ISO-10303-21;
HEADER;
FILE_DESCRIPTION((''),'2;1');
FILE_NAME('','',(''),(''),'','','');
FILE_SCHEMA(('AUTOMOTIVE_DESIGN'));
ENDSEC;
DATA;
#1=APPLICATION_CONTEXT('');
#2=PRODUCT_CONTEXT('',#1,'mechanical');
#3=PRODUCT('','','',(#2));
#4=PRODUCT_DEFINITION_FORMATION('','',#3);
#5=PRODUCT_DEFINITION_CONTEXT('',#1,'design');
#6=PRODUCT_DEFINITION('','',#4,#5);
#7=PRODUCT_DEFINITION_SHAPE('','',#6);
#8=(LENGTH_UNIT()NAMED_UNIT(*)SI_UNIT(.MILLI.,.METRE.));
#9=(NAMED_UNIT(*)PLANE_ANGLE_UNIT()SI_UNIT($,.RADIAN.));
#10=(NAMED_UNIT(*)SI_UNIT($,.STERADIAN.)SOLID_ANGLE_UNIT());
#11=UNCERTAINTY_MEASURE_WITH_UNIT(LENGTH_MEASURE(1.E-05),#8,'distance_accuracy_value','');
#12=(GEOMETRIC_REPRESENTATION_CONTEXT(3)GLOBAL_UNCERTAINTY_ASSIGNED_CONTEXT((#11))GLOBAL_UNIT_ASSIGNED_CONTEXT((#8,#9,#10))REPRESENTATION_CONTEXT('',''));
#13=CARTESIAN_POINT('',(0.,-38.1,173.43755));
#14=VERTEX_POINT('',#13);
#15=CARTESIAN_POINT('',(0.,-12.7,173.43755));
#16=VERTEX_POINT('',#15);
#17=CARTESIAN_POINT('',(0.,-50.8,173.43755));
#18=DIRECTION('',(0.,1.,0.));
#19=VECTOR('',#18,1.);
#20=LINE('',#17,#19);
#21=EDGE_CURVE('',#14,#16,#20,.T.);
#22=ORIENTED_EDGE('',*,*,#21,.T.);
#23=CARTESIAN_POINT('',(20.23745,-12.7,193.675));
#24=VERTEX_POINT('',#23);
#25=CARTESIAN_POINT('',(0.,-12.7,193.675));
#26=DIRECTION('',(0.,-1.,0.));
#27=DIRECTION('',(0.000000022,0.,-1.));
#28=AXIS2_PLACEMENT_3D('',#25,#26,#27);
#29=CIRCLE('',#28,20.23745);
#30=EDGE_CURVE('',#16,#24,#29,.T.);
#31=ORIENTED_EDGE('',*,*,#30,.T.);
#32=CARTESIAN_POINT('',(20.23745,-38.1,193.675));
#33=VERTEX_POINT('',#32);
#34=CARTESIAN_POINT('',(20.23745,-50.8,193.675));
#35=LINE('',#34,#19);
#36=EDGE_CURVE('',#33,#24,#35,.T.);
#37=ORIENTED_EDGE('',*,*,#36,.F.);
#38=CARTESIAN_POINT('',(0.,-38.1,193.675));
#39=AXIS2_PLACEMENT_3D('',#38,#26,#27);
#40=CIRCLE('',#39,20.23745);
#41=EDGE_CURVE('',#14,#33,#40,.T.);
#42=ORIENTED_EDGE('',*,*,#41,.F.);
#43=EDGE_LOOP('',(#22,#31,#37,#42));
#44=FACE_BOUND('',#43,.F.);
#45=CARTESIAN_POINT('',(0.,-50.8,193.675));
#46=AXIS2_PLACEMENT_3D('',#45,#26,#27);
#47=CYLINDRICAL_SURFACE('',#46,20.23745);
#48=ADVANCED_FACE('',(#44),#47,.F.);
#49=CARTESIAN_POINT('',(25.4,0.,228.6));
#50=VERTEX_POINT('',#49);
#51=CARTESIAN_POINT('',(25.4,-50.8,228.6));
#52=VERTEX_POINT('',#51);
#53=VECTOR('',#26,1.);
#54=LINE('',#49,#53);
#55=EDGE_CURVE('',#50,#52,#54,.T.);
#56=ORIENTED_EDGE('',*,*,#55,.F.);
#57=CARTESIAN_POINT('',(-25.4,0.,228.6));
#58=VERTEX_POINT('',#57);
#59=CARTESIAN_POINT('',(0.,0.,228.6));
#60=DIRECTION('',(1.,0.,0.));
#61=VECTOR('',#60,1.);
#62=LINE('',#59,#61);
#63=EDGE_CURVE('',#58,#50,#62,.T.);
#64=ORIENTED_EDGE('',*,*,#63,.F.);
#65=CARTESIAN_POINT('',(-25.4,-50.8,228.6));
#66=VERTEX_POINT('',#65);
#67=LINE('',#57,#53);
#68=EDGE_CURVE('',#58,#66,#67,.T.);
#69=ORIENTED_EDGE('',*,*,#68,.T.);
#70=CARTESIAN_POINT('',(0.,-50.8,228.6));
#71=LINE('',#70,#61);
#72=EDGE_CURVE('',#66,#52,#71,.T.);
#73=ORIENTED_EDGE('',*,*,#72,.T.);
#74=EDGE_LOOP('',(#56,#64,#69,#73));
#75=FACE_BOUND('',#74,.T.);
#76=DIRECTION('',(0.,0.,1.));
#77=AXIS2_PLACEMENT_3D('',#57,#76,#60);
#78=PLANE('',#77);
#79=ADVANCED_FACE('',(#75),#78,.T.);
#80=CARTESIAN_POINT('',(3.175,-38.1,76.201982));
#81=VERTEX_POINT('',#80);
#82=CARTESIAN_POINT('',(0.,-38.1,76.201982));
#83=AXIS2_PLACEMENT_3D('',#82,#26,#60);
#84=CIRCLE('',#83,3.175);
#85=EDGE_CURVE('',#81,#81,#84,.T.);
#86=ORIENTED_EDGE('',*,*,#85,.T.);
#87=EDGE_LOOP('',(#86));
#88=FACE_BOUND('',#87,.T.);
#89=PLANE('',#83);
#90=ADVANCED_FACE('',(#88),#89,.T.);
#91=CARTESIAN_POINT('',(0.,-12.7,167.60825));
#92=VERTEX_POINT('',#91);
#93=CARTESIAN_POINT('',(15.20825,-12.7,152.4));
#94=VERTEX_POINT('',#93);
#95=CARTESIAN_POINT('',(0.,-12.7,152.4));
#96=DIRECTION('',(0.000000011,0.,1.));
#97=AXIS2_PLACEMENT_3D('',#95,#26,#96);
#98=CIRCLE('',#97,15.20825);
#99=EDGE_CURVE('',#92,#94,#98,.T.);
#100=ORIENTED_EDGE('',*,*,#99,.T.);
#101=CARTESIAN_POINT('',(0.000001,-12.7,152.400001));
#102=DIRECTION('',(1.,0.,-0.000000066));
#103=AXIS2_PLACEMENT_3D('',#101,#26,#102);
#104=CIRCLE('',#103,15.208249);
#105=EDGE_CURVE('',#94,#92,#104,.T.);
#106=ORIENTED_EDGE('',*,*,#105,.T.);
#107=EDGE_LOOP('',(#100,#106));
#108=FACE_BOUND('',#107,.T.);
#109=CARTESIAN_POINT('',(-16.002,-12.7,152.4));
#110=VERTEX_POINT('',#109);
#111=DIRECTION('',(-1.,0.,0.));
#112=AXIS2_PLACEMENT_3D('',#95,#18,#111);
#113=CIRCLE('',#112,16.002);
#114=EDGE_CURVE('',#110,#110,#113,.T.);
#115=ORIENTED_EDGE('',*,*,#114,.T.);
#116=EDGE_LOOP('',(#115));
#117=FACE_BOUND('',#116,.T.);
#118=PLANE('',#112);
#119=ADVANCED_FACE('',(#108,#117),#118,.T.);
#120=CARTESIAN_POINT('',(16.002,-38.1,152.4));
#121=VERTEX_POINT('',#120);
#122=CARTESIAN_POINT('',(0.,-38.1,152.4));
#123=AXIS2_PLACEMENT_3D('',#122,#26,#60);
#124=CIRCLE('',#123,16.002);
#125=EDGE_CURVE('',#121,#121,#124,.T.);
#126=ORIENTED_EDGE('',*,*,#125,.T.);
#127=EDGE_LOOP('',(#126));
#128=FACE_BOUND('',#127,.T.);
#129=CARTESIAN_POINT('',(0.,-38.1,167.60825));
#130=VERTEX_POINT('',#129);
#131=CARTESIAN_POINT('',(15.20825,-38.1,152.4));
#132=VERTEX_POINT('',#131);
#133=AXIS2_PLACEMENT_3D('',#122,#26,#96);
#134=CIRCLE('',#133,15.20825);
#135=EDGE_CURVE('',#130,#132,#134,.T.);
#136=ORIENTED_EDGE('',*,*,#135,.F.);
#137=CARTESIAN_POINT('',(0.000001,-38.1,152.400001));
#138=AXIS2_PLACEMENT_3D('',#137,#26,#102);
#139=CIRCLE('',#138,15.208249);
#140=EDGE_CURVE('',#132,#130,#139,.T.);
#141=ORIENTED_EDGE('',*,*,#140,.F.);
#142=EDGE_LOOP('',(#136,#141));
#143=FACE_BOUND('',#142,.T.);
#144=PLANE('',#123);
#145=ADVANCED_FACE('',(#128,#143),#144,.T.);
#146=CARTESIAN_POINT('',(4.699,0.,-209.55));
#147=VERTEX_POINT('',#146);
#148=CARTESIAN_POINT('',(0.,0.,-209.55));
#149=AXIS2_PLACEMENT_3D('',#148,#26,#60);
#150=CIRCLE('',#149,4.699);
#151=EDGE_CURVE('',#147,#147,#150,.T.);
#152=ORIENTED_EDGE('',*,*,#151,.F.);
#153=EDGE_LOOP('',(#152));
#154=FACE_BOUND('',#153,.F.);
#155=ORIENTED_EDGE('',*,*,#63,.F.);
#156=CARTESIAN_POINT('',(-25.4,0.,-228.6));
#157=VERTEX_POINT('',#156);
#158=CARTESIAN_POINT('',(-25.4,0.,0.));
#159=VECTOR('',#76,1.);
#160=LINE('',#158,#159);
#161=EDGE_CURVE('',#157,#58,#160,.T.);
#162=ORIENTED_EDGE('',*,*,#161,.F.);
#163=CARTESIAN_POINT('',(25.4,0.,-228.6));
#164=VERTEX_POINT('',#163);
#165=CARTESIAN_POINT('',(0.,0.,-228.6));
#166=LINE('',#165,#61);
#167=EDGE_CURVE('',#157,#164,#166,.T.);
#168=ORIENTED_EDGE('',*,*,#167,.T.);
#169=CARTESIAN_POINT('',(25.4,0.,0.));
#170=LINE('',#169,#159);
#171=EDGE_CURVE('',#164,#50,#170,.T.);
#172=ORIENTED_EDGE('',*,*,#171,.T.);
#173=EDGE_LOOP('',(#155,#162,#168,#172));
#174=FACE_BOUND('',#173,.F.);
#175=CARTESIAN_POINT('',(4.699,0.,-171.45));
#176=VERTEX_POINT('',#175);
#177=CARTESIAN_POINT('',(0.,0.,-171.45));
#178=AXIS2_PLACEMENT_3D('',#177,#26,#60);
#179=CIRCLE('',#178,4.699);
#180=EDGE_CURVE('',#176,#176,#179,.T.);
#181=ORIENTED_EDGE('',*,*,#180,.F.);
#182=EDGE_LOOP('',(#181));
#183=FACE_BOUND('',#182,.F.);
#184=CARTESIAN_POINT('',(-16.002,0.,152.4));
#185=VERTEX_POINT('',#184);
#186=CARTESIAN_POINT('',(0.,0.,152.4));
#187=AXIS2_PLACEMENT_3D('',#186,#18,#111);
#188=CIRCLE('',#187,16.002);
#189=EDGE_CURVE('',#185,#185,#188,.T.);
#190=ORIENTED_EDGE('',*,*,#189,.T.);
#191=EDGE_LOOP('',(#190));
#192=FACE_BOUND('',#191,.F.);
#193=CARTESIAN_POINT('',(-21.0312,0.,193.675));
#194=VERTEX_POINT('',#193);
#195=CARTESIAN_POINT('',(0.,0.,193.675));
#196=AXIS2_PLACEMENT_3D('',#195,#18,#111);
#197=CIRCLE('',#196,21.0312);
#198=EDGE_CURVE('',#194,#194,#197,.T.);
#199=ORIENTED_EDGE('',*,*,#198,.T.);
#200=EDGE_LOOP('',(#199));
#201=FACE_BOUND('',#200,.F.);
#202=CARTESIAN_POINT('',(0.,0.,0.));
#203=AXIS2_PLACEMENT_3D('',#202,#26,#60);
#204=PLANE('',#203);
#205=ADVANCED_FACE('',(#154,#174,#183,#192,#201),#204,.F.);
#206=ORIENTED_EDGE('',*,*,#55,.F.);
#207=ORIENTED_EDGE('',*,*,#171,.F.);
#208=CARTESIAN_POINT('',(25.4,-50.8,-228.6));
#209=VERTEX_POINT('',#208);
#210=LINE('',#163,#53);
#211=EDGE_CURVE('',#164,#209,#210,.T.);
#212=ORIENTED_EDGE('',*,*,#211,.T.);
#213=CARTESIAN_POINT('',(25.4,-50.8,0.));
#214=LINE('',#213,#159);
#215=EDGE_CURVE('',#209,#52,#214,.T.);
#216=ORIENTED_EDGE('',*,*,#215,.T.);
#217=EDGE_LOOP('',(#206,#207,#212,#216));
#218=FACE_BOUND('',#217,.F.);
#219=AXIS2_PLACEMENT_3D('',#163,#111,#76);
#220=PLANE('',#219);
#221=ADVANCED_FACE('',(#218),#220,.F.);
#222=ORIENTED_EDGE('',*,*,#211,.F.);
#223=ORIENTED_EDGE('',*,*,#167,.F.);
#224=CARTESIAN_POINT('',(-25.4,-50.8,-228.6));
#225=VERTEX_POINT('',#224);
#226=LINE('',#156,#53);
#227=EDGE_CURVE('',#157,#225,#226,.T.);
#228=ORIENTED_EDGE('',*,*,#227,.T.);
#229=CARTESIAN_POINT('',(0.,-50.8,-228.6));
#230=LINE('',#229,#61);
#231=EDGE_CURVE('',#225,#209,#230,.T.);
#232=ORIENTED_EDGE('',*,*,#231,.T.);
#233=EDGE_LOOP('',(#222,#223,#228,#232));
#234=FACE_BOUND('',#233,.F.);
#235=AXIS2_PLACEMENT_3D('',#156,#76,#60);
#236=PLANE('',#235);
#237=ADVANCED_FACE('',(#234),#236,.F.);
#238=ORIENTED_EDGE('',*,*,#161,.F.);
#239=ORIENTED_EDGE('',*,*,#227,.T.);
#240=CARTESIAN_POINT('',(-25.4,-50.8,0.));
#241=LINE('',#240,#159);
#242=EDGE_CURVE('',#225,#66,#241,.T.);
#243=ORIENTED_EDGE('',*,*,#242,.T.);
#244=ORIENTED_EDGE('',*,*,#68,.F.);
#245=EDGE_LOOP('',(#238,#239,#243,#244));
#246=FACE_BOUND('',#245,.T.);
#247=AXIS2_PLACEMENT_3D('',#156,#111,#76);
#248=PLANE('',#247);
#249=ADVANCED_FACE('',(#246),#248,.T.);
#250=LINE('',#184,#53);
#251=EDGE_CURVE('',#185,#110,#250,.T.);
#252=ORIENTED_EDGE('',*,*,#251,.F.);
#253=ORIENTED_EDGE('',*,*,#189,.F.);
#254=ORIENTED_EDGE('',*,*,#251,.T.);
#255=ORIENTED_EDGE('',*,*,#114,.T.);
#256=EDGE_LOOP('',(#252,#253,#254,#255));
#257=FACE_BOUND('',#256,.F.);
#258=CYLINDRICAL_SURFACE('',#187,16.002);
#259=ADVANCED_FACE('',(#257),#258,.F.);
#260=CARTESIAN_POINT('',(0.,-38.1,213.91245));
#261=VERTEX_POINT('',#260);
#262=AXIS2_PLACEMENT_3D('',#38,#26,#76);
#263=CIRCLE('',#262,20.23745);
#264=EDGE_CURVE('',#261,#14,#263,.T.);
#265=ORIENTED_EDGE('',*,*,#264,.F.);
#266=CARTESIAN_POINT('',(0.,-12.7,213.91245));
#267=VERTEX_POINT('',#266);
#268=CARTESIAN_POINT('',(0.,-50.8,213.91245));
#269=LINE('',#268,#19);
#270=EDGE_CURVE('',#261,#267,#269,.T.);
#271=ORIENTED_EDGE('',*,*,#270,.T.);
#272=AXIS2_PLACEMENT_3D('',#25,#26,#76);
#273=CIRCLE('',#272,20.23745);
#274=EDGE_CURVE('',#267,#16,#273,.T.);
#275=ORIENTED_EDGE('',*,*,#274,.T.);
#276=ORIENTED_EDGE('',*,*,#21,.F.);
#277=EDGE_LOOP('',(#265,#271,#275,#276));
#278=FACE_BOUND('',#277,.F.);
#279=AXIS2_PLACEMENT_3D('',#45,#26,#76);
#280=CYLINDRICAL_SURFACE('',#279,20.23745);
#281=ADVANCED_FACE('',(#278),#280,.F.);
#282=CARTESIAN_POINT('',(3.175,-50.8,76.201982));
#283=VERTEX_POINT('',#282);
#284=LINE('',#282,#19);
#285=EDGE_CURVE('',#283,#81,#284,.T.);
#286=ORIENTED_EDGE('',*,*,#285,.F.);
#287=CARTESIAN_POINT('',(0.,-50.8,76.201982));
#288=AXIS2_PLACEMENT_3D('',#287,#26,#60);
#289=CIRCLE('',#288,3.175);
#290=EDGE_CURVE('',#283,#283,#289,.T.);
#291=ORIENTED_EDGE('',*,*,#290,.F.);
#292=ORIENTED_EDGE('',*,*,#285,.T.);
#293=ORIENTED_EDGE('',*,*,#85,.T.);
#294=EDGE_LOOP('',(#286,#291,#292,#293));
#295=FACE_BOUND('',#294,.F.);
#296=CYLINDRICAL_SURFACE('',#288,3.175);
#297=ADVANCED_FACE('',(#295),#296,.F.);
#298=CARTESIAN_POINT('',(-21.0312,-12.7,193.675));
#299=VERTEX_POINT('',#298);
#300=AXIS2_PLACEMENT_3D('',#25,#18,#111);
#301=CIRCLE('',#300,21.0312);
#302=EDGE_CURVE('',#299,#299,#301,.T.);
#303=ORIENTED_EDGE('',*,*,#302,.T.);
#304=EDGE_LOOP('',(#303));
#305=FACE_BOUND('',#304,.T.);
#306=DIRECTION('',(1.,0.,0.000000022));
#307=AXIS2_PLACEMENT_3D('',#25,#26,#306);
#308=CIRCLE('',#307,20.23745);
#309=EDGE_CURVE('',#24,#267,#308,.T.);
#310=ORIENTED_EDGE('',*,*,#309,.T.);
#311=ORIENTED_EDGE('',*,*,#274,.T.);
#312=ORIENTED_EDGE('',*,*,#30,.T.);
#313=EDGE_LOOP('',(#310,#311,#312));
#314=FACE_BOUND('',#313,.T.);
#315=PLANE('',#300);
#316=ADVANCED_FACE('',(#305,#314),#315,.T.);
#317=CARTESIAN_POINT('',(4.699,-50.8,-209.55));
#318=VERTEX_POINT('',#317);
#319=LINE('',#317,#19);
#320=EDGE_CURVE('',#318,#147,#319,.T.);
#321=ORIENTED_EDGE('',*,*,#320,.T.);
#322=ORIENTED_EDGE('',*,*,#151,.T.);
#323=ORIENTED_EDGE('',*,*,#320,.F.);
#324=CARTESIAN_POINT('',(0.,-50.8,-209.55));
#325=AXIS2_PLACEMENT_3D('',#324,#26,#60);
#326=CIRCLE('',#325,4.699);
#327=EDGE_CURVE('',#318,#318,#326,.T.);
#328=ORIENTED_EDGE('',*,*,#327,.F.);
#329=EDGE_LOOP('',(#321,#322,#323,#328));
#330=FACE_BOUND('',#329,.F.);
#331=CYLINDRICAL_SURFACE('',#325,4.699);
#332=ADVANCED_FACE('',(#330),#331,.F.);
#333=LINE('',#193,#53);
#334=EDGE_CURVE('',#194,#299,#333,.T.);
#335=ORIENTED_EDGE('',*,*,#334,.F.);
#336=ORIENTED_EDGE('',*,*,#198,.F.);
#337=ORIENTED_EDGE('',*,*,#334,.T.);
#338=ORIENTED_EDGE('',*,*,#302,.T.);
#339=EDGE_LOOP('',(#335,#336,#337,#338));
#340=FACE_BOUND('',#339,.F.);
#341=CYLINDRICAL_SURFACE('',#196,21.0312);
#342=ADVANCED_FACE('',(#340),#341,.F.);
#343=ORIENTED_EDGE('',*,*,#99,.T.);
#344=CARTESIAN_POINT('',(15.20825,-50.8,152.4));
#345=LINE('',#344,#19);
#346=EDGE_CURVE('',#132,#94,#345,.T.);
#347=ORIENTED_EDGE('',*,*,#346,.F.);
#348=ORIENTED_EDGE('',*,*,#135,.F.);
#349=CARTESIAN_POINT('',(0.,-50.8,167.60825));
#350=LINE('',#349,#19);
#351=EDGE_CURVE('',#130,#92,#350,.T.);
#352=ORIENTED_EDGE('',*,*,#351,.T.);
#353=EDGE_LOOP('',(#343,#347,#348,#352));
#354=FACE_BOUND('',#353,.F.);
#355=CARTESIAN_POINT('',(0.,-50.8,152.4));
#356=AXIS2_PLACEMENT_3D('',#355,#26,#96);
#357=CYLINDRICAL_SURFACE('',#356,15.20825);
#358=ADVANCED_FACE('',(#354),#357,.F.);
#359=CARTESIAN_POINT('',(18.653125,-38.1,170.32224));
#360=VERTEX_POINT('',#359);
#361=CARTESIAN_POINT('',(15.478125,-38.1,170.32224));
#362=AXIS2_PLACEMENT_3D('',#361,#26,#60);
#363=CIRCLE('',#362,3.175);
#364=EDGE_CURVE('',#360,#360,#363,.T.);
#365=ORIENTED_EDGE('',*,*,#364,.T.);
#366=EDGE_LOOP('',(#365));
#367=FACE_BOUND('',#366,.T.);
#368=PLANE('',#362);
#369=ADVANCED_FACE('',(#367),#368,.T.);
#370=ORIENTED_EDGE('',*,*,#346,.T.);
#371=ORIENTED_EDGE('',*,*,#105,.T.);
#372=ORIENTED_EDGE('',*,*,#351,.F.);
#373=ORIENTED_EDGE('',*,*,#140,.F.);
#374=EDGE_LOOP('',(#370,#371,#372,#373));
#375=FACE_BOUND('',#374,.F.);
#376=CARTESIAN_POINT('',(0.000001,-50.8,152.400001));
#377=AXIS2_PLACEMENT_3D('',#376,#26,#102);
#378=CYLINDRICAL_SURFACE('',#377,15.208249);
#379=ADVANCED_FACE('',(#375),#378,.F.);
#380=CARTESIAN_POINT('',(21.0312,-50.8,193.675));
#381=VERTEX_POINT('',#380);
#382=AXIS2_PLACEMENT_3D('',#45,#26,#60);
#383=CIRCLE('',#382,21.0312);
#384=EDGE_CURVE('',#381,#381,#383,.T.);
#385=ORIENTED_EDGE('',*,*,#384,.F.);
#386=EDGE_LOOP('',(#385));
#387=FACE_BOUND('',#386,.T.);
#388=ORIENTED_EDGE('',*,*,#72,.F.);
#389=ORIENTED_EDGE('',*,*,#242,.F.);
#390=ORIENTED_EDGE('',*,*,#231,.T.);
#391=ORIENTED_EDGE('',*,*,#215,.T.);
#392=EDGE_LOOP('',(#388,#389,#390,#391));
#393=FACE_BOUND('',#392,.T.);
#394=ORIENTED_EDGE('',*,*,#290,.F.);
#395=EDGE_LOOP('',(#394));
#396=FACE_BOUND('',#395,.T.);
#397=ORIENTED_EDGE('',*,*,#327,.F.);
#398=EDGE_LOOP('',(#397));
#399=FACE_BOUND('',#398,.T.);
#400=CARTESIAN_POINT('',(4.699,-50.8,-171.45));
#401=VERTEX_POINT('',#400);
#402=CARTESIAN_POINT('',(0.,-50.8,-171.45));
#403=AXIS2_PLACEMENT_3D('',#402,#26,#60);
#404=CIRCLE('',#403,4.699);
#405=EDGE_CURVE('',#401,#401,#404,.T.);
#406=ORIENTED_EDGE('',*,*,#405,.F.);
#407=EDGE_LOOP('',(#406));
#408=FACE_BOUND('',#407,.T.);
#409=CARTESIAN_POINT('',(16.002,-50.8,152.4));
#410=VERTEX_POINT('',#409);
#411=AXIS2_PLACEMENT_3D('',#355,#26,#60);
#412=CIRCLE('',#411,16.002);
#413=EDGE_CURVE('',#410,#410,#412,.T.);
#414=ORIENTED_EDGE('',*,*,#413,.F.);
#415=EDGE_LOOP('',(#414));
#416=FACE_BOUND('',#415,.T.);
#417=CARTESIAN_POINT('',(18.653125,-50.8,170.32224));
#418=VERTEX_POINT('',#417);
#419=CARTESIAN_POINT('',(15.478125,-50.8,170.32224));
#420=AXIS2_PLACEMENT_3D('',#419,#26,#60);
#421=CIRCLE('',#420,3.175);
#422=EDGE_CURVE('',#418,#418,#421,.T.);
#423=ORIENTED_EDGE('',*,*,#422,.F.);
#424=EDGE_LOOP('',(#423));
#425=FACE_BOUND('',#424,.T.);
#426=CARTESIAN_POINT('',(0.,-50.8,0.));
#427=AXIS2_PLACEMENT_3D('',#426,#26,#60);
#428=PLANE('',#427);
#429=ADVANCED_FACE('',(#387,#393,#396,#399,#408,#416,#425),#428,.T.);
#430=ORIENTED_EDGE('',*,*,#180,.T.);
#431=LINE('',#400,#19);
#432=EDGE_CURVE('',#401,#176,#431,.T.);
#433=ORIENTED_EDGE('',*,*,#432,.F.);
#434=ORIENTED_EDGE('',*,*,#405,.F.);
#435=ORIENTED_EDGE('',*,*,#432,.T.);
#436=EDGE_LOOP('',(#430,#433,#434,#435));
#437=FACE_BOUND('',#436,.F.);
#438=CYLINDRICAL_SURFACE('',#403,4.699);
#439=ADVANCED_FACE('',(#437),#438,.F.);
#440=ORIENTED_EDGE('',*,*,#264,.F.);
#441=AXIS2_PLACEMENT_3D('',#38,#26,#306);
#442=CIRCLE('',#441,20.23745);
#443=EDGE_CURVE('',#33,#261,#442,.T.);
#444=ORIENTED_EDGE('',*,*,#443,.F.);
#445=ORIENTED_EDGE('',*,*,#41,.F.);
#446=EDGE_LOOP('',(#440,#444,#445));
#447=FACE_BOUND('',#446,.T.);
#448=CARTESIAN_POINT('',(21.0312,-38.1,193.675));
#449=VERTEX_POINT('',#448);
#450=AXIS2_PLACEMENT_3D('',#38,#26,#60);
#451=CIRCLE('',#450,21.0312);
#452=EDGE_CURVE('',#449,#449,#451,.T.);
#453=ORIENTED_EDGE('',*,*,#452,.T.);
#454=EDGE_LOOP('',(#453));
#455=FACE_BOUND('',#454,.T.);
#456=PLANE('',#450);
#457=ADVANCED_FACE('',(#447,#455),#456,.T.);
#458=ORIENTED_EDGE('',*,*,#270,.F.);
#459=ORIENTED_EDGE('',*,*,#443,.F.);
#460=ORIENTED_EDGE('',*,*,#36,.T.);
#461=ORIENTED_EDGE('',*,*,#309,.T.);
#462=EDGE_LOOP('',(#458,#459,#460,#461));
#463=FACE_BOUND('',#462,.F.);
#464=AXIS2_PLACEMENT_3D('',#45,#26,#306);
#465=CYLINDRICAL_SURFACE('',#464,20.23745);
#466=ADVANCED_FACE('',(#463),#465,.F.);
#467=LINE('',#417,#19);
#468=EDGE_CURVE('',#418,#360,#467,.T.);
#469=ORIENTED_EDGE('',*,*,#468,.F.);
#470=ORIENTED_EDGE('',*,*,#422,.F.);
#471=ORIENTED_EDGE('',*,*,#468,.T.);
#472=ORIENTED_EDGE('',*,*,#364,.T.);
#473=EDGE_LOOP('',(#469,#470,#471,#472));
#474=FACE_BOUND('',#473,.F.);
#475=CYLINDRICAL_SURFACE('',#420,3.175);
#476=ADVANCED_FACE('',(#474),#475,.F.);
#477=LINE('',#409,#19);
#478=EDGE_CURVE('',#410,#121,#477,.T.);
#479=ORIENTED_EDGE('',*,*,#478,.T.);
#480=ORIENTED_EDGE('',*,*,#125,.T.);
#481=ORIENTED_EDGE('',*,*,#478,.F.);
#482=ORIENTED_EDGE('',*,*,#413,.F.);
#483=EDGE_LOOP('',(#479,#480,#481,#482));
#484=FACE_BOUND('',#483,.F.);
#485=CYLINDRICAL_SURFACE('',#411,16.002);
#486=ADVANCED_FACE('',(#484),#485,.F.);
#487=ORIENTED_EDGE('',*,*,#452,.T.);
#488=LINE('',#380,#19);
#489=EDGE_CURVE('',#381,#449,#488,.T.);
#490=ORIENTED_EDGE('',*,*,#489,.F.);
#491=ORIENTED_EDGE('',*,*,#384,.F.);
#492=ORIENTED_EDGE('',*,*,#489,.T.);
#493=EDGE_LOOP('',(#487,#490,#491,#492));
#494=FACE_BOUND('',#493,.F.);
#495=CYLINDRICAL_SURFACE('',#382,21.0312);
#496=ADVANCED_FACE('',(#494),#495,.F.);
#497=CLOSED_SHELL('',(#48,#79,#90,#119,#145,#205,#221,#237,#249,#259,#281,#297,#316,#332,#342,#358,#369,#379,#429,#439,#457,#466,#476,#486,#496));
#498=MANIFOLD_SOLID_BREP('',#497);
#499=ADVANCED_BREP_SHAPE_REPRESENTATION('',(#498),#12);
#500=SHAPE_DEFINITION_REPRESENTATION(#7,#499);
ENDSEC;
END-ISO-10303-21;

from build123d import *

# Parameters (mm, degrees)
F0_W      = 50.8
F0_H      = 457.2
F1_DEPTH  = 50.8
F2_R      = 4.699
F3_DEPTH  = 50.801
F5_DEPTH  = 50.801
F7_R      = 21.0312
F8_DEPTH  = 12.7
F9_R      = 16.002
F10_DEPTH = 12.7
F11_R     = 16.002
F12_DEPTH = 12.7
F13_R     = 3.175
F14_DEPTH = 12.7
F6_R      = 21.0312
F15_DEPTH = 12.7
F16_DEPTH = 12.7


with BuildPart() as f1:
    # F0 (on Front) → F1 (new body)
    with BuildSketch(Plane.XZ):
        Rectangle(F0_W, F0_H)
    extrude(amount=F1_DEPTH)

    # F2 (on face) → F3 (cut, through all)
    with BuildSketch(Plane.XZ.offset(50.8)):
        with Locations((0, -171.45)):
            Circle(F2_R)
        with Locations((0, -209.55)):
            Circle(F2_R)
    extrude(amount=-F3_DEPTH, mode=Mode.SUBTRACT)

    # F4 (on face) → F5 (cut, through all)
    with BuildSketch(Plane.XZ.offset(50.8)):
        with BuildLine():
            ThreePointArc((0, 173.43755), (14.310038, 179.364962), (20.23745, 193.675))
            ThreePointArc((20.23745, 193.675), (14.310038, 207.985038), (0, 213.91245))
            Line((0, 213.91245), (0, 193.675))
            Line((0, 193.675), (0, 173.43755))
        make_face()
        with BuildLine():
            ThreePointArc((15.20825, 152.4), (10.753857, 163.153857), (0, 167.60825))
            ThreePointArc((0, 167.60825), (-10.753857, 141.646143), (15.20825, 152.4))
        make_face()
        with BuildLine():
            Line((0, 193.675), (0, 213.91245))
            ThreePointArc((0, 213.91245), (-20.23745, 193.675), (0, 173.43755))
            Line((0, 173.43755), (0, 193.675))
        make_face()
    extrude(amount=-F5_DEPTH, mode=Mode.SUBTRACT)

    # F7 (on face) → F8 (cut)
    with BuildSketch(Plane(origin=(0, 0, 0), x_dir=(-1, 0, 0), z_dir=(0, 1, 0))):
        with Locations((0, 193.675)):
            Circle(F7_R)
    extrude(amount=-F8_DEPTH, mode=Mode.SUBTRACT)

    # F9 (on face) → F10 (cut)
    with BuildSketch(Plane.XZ.offset(50.8)):
        with Locations((0, 152.4)):
            Circle(F9_R)
    extrude(amount=-F10_DEPTH, mode=Mode.SUBTRACT)

    # F11 (on face) → F12 (cut)
    with BuildSketch(Plane(origin=(0, 0, 0), x_dir=(-1, 0, 0), z_dir=(0, 1, 0))):
        with Locations((0, 152.4)):
            Circle(F11_R)
    extrude(amount=-F12_DEPTH, mode=Mode.SUBTRACT)

    # F13 (on face) → F14 (cut)
    with BuildSketch(Plane.XZ.offset(50.8)):
        with Locations((15.478125, 170.32224)):
            Circle(F13_R)
        with Locations((0, 76.201982)):
            Circle(F13_R)
    extrude(amount=-F14_DEPTH, mode=Mode.SUBTRACT)

    # F6 (on face) → F15 (cut)
    with BuildSketch(Plane.XZ.offset(50.8)):
        with Locations((0, 193.675)):
            Circle(F6_R)
    extrude(amount=-F15_DEPTH, mode=Mode.SUBTRACT)

    # F6 (on face) → F16 (cut)
    with BuildSketch(Plane.XZ.offset(50.8)):
        with Locations((0, 193.675)):
            Circle(F6_R)
    extrude(amount=-F16_DEPTH, mode=Mode.SUBTRACT)


solid = f1.part
